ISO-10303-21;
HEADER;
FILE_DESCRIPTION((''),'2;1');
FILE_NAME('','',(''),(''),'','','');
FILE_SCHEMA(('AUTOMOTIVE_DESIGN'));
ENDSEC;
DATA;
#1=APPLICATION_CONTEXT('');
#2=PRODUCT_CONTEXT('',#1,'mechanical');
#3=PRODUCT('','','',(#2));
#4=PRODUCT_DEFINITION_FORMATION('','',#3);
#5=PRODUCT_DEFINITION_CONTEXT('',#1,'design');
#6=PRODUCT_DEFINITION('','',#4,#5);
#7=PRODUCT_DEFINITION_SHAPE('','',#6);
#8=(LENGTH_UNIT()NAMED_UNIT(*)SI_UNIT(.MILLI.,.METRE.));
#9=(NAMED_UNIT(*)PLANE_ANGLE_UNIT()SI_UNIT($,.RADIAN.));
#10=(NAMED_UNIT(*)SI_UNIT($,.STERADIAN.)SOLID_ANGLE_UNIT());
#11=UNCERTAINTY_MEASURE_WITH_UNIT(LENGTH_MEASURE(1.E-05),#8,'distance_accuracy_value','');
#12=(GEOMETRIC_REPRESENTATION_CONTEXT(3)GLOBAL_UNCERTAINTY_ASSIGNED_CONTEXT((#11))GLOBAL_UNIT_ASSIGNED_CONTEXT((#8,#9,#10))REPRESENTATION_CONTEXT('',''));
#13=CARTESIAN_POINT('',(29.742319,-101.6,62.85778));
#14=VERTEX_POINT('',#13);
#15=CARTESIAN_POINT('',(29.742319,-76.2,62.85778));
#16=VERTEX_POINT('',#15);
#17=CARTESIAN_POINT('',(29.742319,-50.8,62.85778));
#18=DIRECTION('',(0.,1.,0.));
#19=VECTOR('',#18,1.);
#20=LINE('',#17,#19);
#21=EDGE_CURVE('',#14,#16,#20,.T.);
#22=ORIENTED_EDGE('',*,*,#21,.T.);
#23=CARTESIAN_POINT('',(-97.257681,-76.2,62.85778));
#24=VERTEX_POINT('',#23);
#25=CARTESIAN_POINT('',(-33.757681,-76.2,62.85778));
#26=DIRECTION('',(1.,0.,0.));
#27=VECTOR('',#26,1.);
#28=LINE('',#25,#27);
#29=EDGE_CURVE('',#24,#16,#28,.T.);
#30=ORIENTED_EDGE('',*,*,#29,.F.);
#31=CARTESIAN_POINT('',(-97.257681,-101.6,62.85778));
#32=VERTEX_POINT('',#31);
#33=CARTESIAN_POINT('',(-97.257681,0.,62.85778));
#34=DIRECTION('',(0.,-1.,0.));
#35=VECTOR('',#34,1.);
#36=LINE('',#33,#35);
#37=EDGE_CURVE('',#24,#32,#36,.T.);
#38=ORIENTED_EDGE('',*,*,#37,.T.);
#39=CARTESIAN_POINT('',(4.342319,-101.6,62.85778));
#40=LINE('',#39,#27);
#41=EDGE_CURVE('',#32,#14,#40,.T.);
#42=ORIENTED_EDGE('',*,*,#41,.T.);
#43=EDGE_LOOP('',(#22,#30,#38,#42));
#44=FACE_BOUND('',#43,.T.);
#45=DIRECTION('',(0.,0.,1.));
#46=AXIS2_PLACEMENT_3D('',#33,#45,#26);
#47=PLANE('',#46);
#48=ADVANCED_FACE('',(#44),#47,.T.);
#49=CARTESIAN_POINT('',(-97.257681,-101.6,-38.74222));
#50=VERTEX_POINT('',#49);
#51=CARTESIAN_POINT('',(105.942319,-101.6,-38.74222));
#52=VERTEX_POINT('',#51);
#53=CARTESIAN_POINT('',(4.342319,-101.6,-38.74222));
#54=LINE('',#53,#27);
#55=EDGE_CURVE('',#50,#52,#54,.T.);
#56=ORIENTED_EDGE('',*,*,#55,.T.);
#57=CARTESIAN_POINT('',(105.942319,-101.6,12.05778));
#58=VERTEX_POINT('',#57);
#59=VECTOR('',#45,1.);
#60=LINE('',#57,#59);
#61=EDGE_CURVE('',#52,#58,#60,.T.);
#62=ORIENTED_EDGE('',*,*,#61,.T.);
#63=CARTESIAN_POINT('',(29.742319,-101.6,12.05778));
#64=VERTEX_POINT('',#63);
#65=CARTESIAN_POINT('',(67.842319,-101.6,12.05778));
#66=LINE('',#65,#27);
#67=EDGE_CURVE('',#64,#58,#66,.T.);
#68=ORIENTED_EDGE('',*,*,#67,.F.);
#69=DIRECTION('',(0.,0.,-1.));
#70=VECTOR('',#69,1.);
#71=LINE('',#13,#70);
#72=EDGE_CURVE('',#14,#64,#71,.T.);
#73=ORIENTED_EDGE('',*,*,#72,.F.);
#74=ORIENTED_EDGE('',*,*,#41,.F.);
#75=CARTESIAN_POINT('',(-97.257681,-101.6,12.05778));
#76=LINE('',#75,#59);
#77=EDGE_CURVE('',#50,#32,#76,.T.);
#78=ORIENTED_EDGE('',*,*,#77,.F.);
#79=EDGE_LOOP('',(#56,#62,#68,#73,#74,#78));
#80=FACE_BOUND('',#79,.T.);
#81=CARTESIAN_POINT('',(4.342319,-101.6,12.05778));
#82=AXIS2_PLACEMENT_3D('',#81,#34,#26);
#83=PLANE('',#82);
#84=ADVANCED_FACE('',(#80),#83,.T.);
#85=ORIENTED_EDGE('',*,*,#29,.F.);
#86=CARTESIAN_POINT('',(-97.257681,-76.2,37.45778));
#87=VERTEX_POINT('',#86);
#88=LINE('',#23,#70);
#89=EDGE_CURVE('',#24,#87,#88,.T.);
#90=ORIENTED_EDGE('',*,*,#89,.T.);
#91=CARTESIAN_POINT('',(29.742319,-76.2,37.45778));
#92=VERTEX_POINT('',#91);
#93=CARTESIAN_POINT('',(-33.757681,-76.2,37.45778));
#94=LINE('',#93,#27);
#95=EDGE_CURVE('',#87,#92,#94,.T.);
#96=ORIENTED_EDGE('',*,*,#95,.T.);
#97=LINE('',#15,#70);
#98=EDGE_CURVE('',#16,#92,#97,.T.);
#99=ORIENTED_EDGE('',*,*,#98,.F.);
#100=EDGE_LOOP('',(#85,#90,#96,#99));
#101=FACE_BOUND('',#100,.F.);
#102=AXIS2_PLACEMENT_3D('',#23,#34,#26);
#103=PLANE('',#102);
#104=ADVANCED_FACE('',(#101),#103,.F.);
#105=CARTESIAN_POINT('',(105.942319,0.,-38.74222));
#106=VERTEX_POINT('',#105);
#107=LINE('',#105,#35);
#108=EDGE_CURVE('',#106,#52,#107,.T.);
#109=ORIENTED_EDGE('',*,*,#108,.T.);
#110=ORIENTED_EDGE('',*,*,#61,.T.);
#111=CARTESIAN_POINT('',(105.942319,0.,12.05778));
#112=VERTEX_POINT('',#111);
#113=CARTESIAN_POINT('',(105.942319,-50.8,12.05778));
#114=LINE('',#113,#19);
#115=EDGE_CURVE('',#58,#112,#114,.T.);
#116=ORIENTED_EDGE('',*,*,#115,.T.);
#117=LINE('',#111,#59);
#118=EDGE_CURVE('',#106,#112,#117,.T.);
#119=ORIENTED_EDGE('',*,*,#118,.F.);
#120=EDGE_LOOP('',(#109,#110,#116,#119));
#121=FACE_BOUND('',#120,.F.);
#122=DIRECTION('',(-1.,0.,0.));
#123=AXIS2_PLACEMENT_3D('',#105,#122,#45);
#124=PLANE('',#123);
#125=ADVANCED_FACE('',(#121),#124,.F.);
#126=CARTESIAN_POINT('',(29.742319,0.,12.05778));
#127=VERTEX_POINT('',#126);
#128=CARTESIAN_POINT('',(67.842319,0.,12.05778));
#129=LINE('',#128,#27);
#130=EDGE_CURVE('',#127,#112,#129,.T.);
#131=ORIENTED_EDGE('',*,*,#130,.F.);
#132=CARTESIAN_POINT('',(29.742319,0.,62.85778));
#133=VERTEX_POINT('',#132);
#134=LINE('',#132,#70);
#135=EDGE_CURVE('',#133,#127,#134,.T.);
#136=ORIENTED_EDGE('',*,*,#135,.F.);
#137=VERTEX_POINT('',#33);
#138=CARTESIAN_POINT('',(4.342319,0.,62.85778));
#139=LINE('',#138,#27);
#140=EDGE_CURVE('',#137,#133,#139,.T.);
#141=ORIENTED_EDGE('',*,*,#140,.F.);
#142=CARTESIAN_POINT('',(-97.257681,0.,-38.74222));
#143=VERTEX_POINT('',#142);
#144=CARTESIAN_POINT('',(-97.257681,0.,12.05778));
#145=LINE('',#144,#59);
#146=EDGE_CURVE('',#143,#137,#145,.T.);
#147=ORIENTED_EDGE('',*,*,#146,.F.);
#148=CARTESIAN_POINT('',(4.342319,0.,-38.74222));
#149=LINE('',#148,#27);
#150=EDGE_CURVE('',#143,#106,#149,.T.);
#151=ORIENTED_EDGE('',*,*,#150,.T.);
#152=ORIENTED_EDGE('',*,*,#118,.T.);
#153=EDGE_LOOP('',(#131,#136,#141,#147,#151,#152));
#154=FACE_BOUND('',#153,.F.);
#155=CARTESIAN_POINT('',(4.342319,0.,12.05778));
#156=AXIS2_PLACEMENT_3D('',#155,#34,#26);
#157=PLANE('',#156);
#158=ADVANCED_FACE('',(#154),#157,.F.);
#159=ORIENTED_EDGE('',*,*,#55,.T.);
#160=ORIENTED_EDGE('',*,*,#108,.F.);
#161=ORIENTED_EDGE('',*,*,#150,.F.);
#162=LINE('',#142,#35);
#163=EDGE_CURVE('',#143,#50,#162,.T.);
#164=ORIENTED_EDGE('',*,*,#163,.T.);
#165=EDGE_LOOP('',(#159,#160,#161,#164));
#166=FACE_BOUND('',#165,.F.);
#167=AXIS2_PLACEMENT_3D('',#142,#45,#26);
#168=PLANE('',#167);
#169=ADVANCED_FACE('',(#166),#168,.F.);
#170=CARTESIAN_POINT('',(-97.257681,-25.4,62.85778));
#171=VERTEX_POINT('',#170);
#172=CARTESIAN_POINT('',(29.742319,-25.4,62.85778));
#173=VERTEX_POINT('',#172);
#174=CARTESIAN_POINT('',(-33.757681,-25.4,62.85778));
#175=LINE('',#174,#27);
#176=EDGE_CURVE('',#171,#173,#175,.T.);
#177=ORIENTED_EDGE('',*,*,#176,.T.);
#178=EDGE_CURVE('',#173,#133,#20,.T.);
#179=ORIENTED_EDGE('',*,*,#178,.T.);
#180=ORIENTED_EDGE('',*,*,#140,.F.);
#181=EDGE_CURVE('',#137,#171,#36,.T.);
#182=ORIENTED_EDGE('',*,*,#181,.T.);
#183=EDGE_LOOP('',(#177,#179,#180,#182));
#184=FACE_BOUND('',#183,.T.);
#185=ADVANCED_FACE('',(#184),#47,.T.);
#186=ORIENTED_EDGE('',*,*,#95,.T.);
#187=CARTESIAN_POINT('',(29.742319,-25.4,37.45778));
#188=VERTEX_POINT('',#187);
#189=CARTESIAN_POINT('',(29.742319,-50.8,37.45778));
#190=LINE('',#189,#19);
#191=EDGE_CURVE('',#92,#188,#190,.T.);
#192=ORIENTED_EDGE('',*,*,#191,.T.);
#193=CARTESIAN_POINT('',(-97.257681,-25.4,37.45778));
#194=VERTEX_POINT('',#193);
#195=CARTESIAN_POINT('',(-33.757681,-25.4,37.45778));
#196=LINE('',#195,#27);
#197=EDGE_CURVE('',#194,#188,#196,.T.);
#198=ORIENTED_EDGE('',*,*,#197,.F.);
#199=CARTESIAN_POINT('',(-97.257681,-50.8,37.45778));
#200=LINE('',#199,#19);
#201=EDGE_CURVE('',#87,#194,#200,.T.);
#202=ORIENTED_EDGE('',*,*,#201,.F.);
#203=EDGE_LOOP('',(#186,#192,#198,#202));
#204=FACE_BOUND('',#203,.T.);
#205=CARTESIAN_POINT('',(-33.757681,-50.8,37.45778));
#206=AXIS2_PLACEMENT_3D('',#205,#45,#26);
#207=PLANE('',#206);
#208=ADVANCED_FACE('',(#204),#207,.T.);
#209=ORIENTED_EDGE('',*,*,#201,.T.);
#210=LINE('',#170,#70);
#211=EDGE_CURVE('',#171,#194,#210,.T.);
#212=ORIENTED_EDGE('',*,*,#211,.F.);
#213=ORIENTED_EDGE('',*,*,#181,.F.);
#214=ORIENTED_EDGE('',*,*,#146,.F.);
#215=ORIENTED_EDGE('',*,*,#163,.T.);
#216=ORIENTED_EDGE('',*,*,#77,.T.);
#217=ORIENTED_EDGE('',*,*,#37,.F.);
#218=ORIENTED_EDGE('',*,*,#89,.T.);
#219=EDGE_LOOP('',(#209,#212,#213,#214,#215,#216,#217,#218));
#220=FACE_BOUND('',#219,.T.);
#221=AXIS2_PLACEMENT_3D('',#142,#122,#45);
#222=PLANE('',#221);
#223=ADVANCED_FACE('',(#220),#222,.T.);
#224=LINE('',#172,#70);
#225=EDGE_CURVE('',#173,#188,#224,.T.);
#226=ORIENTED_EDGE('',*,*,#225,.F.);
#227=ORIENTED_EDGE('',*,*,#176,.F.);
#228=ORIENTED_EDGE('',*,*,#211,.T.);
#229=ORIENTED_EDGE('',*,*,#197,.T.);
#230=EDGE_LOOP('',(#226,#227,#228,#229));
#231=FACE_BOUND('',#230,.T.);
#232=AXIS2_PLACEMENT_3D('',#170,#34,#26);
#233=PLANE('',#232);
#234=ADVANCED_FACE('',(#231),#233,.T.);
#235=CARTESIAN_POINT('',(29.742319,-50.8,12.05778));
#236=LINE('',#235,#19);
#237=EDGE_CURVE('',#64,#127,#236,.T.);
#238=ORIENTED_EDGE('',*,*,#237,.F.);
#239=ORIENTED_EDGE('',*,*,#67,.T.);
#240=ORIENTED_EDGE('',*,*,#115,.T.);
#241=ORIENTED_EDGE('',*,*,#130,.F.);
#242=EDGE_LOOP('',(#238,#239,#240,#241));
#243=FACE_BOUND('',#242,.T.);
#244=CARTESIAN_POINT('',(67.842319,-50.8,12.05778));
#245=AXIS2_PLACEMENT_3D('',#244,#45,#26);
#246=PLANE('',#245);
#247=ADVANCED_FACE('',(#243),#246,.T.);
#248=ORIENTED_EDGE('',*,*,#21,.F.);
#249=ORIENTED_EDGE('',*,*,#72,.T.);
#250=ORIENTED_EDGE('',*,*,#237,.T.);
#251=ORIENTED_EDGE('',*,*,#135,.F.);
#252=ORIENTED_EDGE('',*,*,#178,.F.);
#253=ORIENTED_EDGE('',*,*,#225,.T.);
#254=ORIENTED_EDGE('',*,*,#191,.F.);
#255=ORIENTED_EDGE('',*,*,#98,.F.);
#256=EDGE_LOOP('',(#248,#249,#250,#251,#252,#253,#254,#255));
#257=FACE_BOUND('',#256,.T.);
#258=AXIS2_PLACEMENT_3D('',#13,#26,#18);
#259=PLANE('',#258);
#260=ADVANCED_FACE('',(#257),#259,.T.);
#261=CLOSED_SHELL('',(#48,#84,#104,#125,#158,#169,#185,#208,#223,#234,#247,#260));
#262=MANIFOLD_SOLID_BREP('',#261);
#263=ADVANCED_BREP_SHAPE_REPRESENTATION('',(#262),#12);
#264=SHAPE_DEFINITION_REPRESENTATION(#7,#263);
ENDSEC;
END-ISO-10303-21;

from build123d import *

# Parameters (mm, degrees)
F0_W     = 203.2
F0_H     = 101.6
F1_DEPTH = 101.6
F2_W     = 76.2
F2_H     = 101.6
F3_DEPTH = 50.8
F4_W     = 127
F4_H     = 50.8
F5_DEPTH = 25.4


with BuildPart() as f1:
    # F0 (on Front) → F1 (new body)
    with BuildSketch(Plane.XZ):
        with Locations((4.342319, 12.05778)):
            Rectangle(F0_W, F0_H)
    extrude(amount=F1_DEPTH)

    # F2 (on face) → F3 (cut)
    with BuildSketch(Plane.XY.offset(62.85778)):
        with Locations((67.842319, -50.8)):
            Rectangle(F2_W, F2_H)
    extrude(amount=-F3_DEPTH, mode=Mode.SUBTRACT)

    # F4 (on face) → F5 (cut)
    with BuildSketch(Plane.XY.offset(62.85778)):
        with Locations((-33.757681, -50.8)):
            Rectangle(F4_W, F4_H)
    extrude(amount=-F5_DEPTH, mode=Mode.SUBTRACT)


solid = f1.part
